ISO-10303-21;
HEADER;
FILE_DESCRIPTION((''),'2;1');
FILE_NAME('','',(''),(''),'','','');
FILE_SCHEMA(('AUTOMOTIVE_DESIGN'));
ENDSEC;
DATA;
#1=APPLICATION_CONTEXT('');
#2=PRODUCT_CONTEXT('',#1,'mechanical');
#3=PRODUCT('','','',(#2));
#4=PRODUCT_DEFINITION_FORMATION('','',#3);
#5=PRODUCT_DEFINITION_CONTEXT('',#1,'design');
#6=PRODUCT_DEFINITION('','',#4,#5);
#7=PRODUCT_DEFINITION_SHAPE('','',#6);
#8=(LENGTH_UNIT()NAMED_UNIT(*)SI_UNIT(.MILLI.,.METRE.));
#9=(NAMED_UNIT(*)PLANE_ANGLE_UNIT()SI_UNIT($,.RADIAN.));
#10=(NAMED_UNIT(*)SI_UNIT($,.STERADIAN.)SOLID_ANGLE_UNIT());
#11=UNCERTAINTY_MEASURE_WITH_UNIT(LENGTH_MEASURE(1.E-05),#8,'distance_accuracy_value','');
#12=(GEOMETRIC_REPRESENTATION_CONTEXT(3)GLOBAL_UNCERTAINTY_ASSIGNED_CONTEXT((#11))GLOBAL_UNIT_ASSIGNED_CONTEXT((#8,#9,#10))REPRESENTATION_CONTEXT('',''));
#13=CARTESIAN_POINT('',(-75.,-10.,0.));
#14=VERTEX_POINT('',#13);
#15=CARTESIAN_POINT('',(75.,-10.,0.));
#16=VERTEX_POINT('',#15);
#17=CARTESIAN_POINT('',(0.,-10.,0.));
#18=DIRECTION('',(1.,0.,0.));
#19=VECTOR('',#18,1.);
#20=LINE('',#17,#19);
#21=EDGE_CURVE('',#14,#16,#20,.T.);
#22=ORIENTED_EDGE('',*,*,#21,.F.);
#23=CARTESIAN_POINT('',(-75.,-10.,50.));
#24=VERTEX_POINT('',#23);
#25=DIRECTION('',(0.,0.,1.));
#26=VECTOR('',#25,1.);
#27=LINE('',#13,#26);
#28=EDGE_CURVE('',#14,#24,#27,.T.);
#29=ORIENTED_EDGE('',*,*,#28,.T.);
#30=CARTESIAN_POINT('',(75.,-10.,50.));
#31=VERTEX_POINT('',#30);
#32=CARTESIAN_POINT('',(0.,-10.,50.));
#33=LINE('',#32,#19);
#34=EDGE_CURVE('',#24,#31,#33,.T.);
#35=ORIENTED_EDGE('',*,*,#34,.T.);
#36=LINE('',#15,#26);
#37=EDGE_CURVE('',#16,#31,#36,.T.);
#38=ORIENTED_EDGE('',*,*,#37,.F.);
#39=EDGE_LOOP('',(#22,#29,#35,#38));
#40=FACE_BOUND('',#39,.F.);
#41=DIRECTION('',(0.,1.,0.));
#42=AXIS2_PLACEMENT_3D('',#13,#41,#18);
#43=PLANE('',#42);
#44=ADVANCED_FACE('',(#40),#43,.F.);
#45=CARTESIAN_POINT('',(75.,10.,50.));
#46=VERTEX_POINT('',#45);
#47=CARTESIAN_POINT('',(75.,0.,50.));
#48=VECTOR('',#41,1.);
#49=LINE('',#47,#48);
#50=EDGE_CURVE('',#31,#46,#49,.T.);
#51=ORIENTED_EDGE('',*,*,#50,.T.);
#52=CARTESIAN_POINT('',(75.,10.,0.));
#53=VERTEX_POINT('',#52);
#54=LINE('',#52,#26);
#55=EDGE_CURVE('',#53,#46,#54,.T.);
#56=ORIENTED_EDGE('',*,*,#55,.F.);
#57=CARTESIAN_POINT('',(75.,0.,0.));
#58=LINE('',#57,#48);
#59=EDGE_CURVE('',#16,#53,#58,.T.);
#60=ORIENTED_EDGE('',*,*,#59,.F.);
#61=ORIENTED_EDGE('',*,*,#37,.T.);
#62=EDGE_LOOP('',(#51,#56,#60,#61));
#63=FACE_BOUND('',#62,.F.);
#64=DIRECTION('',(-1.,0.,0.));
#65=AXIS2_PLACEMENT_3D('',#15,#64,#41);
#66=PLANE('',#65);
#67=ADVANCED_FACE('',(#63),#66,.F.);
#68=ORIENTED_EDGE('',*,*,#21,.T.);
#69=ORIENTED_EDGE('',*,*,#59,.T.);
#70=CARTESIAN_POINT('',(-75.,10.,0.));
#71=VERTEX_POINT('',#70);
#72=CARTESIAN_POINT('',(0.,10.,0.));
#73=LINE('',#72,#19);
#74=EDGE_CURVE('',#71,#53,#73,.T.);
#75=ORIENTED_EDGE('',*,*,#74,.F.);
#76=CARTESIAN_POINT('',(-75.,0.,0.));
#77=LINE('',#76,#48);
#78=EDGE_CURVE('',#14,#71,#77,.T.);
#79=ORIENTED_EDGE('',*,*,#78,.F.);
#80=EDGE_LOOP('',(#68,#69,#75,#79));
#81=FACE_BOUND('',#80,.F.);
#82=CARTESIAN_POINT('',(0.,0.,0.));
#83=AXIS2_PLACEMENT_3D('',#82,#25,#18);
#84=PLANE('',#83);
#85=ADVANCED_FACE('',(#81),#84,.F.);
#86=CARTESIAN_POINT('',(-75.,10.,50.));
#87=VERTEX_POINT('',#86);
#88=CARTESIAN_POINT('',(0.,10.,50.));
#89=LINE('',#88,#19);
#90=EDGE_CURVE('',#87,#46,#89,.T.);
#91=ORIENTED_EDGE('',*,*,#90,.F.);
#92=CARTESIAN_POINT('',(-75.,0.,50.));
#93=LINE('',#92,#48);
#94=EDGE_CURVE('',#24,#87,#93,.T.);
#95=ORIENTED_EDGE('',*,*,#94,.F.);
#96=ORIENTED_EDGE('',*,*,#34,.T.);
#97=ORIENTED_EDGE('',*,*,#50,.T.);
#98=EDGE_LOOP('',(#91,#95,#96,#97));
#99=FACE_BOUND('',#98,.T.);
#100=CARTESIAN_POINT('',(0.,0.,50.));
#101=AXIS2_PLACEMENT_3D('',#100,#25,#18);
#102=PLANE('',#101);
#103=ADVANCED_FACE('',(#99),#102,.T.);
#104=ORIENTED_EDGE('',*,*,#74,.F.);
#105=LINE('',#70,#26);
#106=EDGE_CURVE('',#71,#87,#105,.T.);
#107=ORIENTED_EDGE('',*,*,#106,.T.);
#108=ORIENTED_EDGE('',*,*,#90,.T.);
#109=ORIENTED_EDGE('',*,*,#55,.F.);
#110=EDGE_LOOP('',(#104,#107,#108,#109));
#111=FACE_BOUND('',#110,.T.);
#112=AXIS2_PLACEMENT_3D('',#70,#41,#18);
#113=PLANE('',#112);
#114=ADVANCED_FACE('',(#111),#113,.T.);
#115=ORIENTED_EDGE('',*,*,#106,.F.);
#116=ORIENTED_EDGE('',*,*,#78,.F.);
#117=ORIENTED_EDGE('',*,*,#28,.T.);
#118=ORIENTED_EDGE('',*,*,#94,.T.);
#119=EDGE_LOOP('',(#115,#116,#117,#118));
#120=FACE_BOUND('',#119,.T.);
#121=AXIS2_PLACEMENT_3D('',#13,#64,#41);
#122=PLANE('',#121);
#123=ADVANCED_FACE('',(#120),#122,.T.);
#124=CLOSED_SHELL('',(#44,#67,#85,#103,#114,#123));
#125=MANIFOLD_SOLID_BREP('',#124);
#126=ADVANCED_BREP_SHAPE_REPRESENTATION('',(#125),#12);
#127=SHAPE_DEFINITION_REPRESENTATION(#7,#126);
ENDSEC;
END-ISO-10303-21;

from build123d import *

# Parameters (mm, degrees)
SKETCH_W      = 150
SKETCH_H      = 20
EXTRUDE_DEPTH = 50


with BuildPart() as part:
    # Sketch → Extrude (new body)
    with BuildSketch(Plane.XY):
        Rectangle(SKETCH_W, SKETCH_H)
    extrude(amount=EXTRUDE_DEPTH)


solid = part.part
